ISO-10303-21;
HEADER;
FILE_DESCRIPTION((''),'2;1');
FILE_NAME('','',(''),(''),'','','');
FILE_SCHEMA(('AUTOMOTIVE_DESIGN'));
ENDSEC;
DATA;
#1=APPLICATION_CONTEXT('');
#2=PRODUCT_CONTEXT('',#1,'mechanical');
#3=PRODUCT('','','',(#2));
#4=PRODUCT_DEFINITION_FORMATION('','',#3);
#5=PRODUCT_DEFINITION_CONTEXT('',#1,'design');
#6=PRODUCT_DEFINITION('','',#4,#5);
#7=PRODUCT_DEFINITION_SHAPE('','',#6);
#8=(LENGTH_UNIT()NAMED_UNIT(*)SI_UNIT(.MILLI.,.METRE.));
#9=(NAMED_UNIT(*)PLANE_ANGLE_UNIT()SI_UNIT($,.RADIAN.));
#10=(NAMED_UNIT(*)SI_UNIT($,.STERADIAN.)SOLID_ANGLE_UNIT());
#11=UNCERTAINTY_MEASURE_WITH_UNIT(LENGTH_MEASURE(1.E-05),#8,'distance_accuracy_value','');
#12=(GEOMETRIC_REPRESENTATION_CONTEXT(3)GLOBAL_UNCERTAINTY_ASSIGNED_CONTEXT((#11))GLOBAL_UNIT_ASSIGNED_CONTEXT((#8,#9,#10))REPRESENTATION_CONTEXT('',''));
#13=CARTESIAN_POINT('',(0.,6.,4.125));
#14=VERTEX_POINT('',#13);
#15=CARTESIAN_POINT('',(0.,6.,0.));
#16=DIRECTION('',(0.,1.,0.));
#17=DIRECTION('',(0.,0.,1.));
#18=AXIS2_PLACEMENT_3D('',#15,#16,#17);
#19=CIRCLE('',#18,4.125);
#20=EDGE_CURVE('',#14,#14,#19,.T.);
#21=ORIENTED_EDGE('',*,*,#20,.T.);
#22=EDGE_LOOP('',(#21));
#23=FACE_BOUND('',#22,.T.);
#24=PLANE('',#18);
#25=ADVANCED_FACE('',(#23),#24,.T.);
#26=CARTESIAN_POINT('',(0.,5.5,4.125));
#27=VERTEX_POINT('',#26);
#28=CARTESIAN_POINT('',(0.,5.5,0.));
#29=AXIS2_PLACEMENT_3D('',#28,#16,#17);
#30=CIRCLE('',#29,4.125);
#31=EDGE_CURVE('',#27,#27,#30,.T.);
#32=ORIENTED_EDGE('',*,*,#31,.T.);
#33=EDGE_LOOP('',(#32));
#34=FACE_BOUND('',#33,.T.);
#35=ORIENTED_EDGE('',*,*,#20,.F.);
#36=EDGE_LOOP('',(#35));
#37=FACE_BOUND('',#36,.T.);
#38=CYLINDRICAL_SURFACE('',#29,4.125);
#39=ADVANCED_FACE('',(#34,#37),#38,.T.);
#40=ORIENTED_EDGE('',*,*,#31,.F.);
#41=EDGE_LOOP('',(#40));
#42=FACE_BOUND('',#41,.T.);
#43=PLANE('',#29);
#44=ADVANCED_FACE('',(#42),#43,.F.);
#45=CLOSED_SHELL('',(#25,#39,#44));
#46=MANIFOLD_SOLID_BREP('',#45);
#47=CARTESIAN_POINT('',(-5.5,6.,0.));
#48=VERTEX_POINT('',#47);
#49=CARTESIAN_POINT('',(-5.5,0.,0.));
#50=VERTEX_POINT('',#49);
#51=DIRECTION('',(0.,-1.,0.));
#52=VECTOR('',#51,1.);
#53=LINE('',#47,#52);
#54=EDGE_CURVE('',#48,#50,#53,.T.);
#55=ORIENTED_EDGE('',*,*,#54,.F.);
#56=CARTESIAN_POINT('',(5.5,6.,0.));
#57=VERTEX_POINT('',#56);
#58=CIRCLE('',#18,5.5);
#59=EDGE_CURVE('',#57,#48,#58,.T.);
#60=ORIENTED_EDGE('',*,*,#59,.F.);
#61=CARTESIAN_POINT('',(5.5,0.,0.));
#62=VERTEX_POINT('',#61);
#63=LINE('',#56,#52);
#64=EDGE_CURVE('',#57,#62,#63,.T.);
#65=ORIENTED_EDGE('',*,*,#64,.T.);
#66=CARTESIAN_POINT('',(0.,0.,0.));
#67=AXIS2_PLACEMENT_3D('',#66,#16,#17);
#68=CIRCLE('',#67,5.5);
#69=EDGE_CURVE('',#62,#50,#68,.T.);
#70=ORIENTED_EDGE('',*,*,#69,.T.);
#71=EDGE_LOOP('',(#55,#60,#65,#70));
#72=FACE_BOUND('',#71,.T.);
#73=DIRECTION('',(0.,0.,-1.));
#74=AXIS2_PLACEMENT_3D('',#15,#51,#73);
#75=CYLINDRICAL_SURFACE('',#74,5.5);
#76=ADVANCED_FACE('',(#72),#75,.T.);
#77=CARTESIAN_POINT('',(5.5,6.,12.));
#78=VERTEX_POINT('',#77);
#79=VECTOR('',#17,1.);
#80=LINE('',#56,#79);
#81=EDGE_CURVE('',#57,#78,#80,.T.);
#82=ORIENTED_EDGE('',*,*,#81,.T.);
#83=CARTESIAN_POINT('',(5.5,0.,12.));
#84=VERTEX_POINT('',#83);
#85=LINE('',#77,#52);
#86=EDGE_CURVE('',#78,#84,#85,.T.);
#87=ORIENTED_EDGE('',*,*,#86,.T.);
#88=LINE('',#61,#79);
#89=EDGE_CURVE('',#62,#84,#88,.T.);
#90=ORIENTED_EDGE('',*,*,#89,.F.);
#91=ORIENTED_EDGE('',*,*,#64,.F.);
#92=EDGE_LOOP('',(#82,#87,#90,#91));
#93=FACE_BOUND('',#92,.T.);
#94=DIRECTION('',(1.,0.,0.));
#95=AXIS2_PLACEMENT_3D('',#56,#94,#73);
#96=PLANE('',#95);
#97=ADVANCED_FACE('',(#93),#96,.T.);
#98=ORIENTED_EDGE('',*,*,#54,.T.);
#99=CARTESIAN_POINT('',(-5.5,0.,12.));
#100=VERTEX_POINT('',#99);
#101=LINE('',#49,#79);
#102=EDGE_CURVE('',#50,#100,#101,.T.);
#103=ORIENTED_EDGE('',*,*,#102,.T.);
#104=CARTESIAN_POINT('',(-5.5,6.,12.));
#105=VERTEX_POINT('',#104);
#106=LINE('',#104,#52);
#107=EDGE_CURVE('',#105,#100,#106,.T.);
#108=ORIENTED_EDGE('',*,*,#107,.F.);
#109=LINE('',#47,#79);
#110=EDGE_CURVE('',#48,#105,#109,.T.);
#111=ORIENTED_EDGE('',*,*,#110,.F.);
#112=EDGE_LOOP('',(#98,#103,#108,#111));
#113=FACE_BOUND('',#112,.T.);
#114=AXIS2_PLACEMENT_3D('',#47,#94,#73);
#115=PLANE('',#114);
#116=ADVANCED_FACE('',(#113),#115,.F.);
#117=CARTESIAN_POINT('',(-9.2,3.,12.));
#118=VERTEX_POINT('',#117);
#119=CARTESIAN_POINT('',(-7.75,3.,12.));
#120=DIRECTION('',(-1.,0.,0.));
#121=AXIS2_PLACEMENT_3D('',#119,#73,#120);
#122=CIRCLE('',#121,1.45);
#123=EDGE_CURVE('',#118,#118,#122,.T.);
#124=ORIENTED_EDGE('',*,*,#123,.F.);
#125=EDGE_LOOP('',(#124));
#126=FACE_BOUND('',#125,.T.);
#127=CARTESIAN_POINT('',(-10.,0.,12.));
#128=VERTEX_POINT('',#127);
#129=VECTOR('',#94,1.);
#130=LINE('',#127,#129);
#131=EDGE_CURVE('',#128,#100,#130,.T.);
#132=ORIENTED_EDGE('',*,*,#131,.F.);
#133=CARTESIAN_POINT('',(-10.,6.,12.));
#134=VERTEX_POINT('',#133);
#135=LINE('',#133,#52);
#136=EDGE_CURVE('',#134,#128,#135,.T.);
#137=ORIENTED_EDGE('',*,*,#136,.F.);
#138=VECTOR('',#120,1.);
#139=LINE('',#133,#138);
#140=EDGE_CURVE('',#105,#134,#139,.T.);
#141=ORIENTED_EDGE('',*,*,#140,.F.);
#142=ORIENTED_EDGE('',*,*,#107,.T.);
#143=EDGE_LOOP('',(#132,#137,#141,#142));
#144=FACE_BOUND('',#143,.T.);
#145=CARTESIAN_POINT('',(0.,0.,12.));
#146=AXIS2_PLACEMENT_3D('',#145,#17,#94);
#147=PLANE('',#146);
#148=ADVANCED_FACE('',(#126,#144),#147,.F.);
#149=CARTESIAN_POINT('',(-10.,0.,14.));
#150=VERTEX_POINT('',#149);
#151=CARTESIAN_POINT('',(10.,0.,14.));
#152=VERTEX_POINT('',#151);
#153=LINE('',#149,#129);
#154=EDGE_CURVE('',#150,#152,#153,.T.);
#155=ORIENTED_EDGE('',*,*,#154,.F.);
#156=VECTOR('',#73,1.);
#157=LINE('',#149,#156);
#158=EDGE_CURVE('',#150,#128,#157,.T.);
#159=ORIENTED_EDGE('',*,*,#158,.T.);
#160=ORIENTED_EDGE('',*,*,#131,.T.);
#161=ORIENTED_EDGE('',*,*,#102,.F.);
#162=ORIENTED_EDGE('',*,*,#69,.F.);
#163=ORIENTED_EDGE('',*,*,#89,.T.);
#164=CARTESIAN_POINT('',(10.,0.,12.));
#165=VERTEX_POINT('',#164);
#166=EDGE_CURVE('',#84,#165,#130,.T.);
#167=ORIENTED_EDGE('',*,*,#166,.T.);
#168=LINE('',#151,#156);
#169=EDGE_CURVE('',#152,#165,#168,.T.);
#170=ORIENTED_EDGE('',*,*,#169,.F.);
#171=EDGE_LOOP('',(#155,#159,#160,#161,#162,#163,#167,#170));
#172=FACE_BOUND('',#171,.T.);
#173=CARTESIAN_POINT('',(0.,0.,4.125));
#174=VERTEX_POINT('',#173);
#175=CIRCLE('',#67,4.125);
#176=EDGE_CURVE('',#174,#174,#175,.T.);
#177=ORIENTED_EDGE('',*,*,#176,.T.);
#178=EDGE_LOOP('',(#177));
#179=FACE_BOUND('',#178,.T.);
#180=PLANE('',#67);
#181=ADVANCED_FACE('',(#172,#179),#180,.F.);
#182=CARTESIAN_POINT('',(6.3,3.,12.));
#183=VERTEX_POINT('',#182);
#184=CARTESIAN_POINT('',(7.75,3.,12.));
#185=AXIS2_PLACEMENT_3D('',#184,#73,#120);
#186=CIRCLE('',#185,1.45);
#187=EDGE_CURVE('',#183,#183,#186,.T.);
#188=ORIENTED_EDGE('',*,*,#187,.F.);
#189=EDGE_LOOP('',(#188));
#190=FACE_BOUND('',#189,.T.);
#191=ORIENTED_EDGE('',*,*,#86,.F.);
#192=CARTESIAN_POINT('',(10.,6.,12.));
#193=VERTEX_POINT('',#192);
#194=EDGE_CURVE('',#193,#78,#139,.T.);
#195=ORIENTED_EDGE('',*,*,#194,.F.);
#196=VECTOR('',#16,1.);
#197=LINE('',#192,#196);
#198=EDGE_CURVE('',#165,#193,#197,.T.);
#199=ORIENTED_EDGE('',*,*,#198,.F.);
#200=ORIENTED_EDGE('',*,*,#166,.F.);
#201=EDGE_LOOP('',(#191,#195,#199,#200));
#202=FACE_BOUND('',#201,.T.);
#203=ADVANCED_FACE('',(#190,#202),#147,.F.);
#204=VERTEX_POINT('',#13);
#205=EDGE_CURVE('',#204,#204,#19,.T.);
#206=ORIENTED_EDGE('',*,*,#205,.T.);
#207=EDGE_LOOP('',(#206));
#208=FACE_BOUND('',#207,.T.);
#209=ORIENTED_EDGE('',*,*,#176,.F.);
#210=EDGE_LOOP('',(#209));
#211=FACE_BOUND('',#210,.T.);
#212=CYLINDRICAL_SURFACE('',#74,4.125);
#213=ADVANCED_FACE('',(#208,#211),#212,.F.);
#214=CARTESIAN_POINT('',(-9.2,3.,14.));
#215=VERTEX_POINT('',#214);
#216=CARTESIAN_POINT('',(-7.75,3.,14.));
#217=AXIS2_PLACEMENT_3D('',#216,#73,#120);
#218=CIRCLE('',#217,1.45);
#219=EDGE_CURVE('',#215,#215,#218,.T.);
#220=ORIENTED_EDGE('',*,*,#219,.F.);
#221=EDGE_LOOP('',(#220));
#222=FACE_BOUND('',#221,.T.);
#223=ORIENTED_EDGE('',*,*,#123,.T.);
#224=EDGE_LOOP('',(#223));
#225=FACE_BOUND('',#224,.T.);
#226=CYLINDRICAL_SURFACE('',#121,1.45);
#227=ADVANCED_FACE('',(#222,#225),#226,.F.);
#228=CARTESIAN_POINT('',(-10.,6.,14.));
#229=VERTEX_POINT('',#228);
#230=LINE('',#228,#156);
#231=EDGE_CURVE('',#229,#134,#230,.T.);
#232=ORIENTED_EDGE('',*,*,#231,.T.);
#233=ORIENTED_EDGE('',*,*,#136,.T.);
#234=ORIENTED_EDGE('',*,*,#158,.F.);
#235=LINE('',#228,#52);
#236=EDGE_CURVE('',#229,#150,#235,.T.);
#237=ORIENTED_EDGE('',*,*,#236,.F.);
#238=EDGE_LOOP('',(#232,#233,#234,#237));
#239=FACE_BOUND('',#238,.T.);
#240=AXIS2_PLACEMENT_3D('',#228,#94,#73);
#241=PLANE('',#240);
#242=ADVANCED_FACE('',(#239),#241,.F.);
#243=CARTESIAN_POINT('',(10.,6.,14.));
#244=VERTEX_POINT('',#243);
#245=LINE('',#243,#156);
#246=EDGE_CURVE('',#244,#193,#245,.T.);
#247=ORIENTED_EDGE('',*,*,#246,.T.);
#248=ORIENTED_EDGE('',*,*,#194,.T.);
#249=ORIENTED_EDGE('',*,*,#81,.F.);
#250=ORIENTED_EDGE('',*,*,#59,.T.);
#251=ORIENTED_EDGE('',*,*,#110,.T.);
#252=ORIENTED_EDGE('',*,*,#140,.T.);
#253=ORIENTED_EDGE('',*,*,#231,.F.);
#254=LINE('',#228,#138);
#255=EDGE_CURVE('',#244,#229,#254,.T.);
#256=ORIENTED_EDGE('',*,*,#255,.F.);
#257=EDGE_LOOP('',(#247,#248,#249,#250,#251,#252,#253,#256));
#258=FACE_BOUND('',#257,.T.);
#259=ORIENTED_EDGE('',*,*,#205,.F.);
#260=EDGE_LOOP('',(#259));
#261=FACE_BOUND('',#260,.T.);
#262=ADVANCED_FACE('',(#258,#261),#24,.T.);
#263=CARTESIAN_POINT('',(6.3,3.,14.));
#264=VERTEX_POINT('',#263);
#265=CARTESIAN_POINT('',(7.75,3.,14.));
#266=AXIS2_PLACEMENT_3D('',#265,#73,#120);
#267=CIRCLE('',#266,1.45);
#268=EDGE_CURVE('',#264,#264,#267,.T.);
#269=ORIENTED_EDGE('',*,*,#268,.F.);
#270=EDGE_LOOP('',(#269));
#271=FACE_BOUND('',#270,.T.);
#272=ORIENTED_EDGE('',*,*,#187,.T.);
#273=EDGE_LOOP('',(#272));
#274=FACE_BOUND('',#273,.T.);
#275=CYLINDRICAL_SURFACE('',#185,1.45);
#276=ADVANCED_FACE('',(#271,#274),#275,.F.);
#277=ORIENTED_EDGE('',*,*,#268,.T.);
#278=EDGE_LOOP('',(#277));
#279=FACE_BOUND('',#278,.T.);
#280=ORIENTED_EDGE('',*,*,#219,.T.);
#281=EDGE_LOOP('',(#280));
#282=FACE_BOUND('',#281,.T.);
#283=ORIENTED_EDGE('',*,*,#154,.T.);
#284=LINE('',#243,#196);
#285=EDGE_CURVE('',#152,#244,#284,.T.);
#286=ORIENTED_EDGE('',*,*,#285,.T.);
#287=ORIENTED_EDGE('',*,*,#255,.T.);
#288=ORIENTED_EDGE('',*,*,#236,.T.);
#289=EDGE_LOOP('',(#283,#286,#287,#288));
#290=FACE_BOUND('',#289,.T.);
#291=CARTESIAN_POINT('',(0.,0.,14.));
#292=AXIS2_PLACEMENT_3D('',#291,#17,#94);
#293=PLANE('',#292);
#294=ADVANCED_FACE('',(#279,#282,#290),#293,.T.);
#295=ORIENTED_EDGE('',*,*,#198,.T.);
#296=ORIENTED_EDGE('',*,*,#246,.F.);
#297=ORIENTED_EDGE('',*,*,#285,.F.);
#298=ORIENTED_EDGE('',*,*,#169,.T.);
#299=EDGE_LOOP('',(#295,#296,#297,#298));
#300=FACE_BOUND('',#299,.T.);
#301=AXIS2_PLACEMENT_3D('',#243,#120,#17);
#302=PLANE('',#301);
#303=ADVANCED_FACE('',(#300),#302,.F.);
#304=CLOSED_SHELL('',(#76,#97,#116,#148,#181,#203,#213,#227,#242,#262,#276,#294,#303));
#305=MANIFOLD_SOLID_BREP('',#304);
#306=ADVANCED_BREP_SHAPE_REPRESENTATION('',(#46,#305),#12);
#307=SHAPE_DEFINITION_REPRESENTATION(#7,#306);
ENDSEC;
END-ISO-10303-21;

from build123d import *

# Parameters (mm, degrees)
SKETCH1_R                     = 4.125
BOSS_EXTRUDE1_DEPTH           = 6
SKETCH2_W                     = 20
SKETCH2_H                     = 6
BOSS_EXTRUDE2_DEPTH           = 2
TAP_DRILL_FOR_M3_5X0_6_TAP1_D = 2.9
SKETCH5_R                     = 4.125
BOSS_EXTRUDE3_DEPTH           = 0.5


with BuildPart() as part:
    # Sketch1 → Boss-Extrude1 (new body)
    with BuildSketch(Plane(origin=(0, 0, 0), x_dir=(1, 0, 0), z_dir=(0, 1, 0))):
        with BuildLine():
            ThreePointArc((5.5, 0), (0, 5.5), (-5.5, 0))
            Line((-5.5, 0), (-5.5, -12))
            Line((-5.5, -12), (5.5, -12))
            Line((5.5, -12), (5.5, 0))
        make_face()
        Circle(SKETCH1_R, mode=Mode.SUBTRACT)
    extrude(amount=BOSS_EXTRUDE1_DEPTH)

    # Sketch2 → Boss-Extrude2 (add)
    with BuildSketch(Plane.XY.offset(12)):
        with Locations((0, 3)):
            Rectangle(SKETCH2_W, SKETCH2_H)
    extrude(amount=BOSS_EXTRUDE2_DEPTH)

    # Tap Drill for M3.5x0.6 Tap1 (through all)
    with Locations(Plane(origin=(0, 0, 12), x_dir=(-1, 0, 0), z_dir=(0, 0, -1))):
        with Locations((7.75, 3), (-7.75, 3)):
            Hole(TAP_DRILL_FOR_M3_5X0_6_TAP1_D / 2)


with BuildPart() as body_2:
    # Sketch5 → Boss-Extrude3 (new body)
    with BuildSketch(Plane(origin=(0, 6, 0), x_dir=(1, 0, 0), z_dir=(0, 1, 0))):
        Circle(SKETCH5_R)
    extrude(amount=-BOSS_EXTRUDE3_DEPTH)


solid = Compound([part.part, body_2.part])
